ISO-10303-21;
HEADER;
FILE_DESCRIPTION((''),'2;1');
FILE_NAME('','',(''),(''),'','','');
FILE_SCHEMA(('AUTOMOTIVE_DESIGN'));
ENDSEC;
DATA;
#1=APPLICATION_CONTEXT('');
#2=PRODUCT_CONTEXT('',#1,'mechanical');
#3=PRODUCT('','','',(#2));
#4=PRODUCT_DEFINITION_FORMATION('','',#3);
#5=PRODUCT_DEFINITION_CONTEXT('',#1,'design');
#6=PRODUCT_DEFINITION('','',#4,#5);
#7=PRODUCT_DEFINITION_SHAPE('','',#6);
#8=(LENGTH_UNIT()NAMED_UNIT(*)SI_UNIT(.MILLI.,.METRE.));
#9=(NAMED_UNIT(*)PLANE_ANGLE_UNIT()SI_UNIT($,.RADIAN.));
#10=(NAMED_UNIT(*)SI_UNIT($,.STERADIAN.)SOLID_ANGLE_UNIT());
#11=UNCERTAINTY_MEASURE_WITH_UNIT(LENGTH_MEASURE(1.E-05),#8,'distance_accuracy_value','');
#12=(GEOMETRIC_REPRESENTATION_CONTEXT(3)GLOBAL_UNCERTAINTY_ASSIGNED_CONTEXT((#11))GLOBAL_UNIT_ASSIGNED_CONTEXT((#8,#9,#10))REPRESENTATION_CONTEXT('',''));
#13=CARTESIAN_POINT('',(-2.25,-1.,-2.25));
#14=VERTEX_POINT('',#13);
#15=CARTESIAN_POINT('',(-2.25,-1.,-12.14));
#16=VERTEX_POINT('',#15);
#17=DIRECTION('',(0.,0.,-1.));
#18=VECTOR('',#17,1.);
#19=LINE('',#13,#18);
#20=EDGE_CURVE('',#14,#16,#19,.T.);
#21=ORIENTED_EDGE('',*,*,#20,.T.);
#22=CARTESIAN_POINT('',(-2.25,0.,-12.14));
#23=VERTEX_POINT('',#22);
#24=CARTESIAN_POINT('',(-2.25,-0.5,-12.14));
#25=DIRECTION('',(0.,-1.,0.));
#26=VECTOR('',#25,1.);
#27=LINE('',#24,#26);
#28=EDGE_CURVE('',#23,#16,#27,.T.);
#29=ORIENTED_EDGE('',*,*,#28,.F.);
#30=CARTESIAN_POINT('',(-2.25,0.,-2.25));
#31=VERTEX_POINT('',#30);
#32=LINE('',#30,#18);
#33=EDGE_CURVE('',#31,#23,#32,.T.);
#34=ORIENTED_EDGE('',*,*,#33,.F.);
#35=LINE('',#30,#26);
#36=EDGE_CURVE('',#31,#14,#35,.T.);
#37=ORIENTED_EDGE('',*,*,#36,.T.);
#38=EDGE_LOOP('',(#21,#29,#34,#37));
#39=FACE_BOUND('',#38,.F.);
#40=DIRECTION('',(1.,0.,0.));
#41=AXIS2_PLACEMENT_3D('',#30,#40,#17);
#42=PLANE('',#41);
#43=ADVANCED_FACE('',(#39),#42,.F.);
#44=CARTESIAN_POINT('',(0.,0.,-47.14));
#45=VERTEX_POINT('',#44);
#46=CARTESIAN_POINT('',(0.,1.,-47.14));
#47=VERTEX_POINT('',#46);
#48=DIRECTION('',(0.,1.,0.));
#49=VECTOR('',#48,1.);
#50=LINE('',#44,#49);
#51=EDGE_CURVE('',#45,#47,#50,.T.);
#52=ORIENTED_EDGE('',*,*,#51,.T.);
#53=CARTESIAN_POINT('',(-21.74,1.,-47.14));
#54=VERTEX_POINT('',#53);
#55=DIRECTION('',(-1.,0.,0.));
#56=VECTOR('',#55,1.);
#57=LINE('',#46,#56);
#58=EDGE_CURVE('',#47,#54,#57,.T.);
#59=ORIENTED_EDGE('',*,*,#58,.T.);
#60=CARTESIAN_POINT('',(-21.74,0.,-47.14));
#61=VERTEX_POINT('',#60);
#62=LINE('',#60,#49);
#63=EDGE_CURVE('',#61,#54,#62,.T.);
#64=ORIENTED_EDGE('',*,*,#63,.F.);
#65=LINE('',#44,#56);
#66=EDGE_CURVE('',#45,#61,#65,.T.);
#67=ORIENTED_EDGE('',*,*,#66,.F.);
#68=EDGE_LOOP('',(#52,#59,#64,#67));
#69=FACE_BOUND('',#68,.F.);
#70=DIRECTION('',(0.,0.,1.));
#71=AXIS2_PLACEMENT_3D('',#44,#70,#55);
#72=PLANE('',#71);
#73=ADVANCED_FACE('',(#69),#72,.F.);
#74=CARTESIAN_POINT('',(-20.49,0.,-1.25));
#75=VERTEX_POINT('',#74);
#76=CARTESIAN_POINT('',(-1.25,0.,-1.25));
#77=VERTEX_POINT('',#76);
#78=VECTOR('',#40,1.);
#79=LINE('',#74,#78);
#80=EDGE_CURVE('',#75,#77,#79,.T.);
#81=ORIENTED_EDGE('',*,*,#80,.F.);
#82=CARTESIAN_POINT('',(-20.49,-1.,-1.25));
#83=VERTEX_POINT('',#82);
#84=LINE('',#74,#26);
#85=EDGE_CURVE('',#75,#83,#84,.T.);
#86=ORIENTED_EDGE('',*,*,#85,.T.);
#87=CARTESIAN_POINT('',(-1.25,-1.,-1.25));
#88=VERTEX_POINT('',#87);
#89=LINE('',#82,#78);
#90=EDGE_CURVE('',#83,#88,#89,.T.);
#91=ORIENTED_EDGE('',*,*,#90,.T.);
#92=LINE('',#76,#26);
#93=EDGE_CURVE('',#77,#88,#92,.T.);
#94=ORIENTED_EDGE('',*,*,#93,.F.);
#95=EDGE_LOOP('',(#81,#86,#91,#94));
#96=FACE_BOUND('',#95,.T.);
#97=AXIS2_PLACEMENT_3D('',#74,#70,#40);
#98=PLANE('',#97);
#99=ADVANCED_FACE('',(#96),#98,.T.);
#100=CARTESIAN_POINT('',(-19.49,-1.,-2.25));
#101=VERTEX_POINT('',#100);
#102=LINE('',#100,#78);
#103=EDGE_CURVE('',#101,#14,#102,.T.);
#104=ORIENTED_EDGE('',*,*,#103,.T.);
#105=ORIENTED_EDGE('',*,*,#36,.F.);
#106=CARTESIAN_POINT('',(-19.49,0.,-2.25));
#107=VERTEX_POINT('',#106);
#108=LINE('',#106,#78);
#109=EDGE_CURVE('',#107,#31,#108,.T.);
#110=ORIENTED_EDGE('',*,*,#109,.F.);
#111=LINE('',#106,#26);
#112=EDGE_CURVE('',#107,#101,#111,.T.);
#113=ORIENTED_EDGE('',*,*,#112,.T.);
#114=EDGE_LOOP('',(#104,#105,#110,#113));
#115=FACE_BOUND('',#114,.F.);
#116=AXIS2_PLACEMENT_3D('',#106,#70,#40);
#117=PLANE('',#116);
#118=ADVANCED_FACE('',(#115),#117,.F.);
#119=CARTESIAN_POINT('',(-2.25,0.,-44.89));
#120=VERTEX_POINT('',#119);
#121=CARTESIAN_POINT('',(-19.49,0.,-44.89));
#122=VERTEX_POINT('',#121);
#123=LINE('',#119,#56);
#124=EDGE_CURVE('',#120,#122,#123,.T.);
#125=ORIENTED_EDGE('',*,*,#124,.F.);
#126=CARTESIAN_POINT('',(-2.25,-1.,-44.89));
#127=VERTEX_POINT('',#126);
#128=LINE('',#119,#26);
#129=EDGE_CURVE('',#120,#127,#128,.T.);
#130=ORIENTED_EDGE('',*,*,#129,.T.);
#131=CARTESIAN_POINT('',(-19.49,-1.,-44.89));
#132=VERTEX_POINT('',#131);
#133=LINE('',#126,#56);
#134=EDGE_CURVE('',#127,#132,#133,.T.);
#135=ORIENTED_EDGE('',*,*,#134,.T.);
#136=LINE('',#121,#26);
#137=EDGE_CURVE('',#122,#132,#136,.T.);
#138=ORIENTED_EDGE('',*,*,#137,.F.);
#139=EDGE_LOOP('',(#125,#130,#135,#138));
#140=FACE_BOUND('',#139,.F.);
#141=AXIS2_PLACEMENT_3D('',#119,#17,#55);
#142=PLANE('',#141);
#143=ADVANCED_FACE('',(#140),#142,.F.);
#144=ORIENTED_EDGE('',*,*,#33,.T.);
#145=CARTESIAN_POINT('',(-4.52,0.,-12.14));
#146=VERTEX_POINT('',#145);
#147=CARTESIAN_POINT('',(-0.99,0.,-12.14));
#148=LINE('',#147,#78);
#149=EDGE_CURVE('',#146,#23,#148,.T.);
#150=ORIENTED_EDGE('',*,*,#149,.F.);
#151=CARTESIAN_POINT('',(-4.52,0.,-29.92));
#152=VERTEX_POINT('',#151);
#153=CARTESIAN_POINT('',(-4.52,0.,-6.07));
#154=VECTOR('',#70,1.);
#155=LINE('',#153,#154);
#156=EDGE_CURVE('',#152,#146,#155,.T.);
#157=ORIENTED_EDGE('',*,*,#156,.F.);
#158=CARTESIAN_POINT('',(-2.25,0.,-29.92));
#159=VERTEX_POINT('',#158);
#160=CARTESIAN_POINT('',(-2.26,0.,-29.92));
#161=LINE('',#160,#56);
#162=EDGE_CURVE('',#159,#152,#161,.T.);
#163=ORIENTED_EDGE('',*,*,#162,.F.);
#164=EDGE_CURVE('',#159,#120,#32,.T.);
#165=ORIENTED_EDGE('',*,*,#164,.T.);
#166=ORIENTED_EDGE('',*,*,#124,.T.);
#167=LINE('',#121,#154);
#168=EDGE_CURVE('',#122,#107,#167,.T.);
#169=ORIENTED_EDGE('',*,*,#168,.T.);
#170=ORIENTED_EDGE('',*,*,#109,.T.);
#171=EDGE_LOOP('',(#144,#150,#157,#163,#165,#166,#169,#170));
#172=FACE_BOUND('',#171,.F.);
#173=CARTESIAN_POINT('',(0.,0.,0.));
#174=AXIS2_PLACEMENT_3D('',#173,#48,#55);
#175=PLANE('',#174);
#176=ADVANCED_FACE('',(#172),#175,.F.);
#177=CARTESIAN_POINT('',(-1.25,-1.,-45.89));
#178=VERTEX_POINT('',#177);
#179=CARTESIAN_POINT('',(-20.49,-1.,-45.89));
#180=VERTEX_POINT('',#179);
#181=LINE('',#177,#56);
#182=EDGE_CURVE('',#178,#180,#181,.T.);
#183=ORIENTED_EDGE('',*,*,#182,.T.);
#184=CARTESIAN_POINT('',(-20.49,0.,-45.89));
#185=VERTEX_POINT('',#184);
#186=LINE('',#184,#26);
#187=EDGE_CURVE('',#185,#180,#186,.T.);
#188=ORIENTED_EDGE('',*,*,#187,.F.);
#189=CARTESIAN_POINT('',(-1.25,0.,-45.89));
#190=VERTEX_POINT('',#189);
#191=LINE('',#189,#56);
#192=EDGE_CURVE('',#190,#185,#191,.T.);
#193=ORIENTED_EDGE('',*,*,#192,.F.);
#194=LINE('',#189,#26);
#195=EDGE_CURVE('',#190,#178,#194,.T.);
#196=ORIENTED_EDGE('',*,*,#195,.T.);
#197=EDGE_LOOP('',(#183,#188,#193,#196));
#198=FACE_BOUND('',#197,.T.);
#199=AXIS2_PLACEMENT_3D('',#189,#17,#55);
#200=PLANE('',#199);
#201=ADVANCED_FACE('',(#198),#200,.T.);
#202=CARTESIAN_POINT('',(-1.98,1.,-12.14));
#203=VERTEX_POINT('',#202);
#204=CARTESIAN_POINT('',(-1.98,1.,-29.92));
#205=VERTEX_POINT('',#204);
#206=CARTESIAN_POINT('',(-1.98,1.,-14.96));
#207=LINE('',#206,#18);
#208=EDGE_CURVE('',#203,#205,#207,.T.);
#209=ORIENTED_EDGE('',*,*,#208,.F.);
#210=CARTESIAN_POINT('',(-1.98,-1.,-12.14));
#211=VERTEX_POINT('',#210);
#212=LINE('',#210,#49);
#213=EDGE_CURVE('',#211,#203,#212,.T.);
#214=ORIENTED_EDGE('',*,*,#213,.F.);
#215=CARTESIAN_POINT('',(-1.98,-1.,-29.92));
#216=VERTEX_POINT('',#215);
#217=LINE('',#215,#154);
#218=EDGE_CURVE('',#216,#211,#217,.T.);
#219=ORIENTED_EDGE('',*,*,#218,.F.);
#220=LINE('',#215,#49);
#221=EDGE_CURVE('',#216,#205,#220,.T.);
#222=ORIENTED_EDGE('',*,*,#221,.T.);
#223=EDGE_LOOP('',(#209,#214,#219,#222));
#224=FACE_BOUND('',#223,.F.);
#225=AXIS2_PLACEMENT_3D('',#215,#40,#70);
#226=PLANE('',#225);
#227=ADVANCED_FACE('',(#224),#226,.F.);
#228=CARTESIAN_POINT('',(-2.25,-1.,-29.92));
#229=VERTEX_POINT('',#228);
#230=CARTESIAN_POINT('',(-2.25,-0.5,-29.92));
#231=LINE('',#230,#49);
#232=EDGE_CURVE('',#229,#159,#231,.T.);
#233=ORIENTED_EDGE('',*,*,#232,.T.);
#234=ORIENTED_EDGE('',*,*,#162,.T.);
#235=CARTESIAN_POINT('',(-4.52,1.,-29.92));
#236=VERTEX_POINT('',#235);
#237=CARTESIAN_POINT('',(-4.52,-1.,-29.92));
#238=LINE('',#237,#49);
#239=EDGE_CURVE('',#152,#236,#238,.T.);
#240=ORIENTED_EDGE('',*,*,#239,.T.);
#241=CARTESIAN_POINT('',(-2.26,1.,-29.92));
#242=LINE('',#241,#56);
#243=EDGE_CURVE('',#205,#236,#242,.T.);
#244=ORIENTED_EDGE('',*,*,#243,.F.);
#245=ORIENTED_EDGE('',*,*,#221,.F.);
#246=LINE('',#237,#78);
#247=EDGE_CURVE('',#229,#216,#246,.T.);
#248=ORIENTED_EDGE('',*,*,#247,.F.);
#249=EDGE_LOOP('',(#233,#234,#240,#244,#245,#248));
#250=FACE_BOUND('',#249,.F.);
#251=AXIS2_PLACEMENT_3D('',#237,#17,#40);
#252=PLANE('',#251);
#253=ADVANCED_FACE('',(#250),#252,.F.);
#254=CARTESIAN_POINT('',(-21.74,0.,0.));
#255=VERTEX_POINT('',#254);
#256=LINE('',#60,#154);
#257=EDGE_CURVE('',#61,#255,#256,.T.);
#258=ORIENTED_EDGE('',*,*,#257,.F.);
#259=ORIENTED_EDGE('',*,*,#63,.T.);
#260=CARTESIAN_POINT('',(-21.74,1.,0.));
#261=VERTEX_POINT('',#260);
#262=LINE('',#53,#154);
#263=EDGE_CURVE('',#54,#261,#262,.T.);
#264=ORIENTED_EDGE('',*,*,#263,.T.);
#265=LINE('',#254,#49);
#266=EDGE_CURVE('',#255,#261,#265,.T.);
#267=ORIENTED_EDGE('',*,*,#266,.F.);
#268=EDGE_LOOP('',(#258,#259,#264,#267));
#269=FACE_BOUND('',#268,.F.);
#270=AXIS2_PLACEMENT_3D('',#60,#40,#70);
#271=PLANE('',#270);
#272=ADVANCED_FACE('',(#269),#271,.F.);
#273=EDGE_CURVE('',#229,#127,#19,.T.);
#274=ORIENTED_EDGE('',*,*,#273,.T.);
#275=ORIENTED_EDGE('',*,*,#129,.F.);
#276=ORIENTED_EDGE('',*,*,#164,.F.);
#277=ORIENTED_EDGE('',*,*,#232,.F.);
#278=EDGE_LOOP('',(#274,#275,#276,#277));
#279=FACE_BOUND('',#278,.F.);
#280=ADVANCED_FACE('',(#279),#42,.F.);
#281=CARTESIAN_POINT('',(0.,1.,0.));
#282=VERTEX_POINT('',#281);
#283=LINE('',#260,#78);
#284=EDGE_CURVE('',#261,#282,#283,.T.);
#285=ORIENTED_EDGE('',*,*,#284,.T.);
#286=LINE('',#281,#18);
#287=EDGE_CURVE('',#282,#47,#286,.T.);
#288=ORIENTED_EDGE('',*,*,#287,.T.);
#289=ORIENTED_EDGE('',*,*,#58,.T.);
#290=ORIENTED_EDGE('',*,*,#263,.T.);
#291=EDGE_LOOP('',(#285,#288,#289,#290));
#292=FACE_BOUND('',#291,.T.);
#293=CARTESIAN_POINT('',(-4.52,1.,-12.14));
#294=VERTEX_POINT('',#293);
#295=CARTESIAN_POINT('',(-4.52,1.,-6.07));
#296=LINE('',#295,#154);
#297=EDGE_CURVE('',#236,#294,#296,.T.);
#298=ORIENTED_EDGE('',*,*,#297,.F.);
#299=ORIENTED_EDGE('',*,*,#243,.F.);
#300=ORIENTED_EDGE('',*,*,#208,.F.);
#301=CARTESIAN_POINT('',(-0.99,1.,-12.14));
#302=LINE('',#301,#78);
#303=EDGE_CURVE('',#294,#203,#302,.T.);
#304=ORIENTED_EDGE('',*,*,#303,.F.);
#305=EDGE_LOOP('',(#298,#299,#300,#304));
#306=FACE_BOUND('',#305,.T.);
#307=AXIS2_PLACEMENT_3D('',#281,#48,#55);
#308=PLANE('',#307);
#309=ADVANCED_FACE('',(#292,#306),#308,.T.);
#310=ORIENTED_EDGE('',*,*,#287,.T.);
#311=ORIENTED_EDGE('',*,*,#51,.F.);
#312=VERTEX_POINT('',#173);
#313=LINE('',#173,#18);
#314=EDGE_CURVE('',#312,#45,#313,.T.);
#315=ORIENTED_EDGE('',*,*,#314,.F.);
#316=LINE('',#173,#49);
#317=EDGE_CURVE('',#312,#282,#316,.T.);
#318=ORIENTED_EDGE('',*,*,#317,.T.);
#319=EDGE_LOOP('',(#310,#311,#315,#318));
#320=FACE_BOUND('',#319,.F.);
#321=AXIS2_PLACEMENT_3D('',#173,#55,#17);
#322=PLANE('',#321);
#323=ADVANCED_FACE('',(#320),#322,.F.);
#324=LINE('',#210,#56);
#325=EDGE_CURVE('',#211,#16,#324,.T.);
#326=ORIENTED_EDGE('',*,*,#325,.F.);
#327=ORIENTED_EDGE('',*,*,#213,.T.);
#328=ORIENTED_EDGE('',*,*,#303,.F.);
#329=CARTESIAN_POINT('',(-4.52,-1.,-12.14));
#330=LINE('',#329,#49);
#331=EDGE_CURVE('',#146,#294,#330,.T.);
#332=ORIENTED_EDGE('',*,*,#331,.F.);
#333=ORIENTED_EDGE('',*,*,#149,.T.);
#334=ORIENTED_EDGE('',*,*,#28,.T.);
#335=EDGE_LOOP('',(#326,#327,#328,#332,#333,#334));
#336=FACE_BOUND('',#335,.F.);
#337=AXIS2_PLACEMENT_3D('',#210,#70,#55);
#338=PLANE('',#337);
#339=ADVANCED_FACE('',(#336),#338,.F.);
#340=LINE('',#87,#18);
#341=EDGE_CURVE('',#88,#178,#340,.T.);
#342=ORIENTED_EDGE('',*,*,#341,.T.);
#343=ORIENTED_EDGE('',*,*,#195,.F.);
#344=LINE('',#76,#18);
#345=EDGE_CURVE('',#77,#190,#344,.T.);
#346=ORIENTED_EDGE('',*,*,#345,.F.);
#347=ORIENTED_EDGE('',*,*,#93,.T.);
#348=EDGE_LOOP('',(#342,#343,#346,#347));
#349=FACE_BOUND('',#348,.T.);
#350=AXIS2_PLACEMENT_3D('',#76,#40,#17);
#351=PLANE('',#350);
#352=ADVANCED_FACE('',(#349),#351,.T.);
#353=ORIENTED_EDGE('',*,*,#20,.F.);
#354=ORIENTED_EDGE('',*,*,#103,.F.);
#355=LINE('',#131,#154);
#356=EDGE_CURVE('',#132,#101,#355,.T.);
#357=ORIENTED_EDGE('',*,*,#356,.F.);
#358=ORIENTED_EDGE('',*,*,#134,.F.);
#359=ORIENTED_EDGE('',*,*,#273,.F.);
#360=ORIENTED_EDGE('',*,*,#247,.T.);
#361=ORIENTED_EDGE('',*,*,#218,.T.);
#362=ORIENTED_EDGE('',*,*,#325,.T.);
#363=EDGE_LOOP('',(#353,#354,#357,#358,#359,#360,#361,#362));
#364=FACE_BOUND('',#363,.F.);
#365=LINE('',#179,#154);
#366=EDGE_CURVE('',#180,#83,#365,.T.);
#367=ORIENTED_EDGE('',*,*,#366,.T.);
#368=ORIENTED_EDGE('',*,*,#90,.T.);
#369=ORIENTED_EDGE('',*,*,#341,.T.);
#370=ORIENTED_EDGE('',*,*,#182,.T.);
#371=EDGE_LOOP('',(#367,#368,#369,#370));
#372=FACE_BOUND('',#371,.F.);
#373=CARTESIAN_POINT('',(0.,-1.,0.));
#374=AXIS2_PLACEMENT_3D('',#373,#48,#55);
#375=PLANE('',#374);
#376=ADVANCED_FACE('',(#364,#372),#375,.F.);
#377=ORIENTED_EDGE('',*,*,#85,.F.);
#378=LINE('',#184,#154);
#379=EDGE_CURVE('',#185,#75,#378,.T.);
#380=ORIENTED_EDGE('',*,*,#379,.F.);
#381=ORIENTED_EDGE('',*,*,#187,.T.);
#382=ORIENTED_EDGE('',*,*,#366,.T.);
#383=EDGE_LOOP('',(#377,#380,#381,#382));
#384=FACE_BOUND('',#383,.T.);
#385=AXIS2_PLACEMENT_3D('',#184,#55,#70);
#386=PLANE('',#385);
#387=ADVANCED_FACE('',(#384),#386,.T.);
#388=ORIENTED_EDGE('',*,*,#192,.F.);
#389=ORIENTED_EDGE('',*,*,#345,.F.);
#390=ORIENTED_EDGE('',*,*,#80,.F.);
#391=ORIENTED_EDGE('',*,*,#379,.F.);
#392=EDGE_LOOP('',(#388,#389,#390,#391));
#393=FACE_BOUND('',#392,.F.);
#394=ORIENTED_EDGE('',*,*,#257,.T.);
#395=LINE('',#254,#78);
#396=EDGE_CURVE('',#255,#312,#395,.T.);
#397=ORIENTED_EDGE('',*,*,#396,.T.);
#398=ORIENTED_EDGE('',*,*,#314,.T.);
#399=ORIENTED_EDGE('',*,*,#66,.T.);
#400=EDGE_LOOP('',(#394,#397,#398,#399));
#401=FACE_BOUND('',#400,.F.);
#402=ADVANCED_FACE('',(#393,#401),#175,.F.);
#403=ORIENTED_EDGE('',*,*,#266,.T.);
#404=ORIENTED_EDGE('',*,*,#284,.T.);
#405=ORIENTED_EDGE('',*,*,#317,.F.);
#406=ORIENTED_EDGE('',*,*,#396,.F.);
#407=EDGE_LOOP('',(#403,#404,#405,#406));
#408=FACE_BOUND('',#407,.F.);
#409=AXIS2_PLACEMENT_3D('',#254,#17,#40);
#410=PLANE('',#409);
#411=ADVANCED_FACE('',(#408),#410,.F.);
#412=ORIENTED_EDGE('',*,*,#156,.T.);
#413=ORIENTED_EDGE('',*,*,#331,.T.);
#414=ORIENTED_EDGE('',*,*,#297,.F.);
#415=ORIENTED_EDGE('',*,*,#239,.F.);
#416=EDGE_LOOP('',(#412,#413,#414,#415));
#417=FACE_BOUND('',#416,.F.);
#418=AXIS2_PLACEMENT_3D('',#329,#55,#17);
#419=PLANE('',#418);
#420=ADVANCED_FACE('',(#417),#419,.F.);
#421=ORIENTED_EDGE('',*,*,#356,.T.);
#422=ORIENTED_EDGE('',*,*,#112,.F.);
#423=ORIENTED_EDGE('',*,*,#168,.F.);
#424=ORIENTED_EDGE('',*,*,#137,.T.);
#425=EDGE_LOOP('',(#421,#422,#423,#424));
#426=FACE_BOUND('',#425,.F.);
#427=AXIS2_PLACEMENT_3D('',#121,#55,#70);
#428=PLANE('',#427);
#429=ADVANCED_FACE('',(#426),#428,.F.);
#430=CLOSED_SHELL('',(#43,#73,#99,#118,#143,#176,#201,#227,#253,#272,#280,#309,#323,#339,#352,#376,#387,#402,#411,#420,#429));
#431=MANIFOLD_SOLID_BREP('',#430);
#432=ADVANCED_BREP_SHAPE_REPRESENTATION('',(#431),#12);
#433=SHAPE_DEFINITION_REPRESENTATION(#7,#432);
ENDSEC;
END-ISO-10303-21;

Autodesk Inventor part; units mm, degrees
ref_plane "YZ Plane" through (0, 0, 0) normal (1, 0, 0) x (0, 1, 0)
ref_plane "XZ Plane" through (0, 0, 0) normal (0, 1, 0) x (-1, 0, 0)
ref_plane "XY Plane" through (0, 0, 0) normal (0, 0, 1) x (1, 0, 0)
sketch "Sketch1" plane through (0, 0, 0) normal (0, 1, 0) x (-1, 0, 0)
  line L0 (20.49, -1.25) -> (1.25, -1.25)
  line L1 (1.25, -1.25) -> (1.25, -45.89)
  line L2 (1.25, -45.89) -> (20.49, -45.89)
  line L3 (20.49, -45.89) -> (20.49, -1.25)
  line L4 (18.49, -3.25) -> (3.25, -3.25) construction
  line L5 (3.25, -3.25) -> (3.25, -43.89) construction
  line L6 (3.25, -43.89) -> (18.49, -43.89) construction
  line L7 (18.49, -43.89) -> (18.49, -3.25) construction
  circle A0 centre (18.49, -3.25) radius 2 construction
  circle A1 centre (18.49, -3.25) radius 0.75 construction
  circle A2 centre (18.49, -43.89) radius 2 construction
  circle A3 centre (18.49, -43.89) radius 0.75 construction
  circle A4 centre (3.25, -43.89) radius 2 construction
  circle A5 centre (3.25, -43.89) radius 0.75 construction
  circle A6 centre (3.25, -3.25) radius 2 construction
  circle A7 centre (3.25, -3.25) radius 0.75 construction
  line L8 (0, -47.14) -> (21.74, -47.14)
  line L9 (21.74, -47.14) -> (21.74, 0)
  line L10 (21.74, 0) -> (0, 0)
  line L11 (0, 0) -> (0, -47.14)
  line L12 (19.49, -2.25) -> (2.25, -2.25)
  line L13 (2.25, -2.25) -> (2.25, -44.89)
  line L14 (2.25, -44.89) -> (19.49, -44.89)
  line L15 (19.49, -44.89) -> (19.49, -2.25)
  dimension "d2" = 40.64
  dimension "d3" = 15.24
  dimension "d4" = 1.5
  dimension "d5" = 4
  dimension "d6" = 1.25
  dimension "d7" = 1.25
  dimension "d8" = 1.25
  dimension "d9" = 1.25
  dimension "d12" = 1
  dimension "d13" = 1
  dimension "d14" = 1
  dimension "d15" = 1
extrude "Extrusion1" add sketch "Sketch1" against normal blind 1 contours L3 L2 L1 L0
extrude "Extrusion2" add sketch "Sketch1" along normal blind 1 contours L3 L2 L1 L0 | L11 L10 L9 L8 | L15 L14 L13 L12
sketch "Sketch2" plane through (0, -1, 0) normal (0, -1, 0) x (1, 0, 0)
  line L0 (-4.52, -29.92) -> (-1.98, -29.92)
  line L1 (-1.98, -29.92) -> (-1.98, -12.14)
  line L2 (-1.98, -12.14) -> (-4.52, -12.14)
  line L3 (-4.52, -12.14) -> (-4.52, -29.92)
  circle A0 centre (-3.25, -28.65) radius 0.508 construction
  circle A1 centre (-3.25, -13.41) radius 0.508 construction
  point P0 (0, 0)
  point P1 (-3.25, -29.92)
  dimension "d20" = 2.54
  dimension "d21" = 17.78
  dimension "d22" = 15.24
  dimension "d23" = 1.27
  dimension "d24" = 1.27
extrude "Extrusion3" cut sketch "Sketch2" against normal through all
equation "\"d7\" = d6"
equation "\"d8\" = d7"
equation "\"d9\" = d7"
equation "\"d21\" = 7 * d20"
equation "\"d23\" = -0.5 * d22 + 0.5 * d21"
equation "\"d24\" = 0.5 * d20"
properties part number "Arduino Lid"
